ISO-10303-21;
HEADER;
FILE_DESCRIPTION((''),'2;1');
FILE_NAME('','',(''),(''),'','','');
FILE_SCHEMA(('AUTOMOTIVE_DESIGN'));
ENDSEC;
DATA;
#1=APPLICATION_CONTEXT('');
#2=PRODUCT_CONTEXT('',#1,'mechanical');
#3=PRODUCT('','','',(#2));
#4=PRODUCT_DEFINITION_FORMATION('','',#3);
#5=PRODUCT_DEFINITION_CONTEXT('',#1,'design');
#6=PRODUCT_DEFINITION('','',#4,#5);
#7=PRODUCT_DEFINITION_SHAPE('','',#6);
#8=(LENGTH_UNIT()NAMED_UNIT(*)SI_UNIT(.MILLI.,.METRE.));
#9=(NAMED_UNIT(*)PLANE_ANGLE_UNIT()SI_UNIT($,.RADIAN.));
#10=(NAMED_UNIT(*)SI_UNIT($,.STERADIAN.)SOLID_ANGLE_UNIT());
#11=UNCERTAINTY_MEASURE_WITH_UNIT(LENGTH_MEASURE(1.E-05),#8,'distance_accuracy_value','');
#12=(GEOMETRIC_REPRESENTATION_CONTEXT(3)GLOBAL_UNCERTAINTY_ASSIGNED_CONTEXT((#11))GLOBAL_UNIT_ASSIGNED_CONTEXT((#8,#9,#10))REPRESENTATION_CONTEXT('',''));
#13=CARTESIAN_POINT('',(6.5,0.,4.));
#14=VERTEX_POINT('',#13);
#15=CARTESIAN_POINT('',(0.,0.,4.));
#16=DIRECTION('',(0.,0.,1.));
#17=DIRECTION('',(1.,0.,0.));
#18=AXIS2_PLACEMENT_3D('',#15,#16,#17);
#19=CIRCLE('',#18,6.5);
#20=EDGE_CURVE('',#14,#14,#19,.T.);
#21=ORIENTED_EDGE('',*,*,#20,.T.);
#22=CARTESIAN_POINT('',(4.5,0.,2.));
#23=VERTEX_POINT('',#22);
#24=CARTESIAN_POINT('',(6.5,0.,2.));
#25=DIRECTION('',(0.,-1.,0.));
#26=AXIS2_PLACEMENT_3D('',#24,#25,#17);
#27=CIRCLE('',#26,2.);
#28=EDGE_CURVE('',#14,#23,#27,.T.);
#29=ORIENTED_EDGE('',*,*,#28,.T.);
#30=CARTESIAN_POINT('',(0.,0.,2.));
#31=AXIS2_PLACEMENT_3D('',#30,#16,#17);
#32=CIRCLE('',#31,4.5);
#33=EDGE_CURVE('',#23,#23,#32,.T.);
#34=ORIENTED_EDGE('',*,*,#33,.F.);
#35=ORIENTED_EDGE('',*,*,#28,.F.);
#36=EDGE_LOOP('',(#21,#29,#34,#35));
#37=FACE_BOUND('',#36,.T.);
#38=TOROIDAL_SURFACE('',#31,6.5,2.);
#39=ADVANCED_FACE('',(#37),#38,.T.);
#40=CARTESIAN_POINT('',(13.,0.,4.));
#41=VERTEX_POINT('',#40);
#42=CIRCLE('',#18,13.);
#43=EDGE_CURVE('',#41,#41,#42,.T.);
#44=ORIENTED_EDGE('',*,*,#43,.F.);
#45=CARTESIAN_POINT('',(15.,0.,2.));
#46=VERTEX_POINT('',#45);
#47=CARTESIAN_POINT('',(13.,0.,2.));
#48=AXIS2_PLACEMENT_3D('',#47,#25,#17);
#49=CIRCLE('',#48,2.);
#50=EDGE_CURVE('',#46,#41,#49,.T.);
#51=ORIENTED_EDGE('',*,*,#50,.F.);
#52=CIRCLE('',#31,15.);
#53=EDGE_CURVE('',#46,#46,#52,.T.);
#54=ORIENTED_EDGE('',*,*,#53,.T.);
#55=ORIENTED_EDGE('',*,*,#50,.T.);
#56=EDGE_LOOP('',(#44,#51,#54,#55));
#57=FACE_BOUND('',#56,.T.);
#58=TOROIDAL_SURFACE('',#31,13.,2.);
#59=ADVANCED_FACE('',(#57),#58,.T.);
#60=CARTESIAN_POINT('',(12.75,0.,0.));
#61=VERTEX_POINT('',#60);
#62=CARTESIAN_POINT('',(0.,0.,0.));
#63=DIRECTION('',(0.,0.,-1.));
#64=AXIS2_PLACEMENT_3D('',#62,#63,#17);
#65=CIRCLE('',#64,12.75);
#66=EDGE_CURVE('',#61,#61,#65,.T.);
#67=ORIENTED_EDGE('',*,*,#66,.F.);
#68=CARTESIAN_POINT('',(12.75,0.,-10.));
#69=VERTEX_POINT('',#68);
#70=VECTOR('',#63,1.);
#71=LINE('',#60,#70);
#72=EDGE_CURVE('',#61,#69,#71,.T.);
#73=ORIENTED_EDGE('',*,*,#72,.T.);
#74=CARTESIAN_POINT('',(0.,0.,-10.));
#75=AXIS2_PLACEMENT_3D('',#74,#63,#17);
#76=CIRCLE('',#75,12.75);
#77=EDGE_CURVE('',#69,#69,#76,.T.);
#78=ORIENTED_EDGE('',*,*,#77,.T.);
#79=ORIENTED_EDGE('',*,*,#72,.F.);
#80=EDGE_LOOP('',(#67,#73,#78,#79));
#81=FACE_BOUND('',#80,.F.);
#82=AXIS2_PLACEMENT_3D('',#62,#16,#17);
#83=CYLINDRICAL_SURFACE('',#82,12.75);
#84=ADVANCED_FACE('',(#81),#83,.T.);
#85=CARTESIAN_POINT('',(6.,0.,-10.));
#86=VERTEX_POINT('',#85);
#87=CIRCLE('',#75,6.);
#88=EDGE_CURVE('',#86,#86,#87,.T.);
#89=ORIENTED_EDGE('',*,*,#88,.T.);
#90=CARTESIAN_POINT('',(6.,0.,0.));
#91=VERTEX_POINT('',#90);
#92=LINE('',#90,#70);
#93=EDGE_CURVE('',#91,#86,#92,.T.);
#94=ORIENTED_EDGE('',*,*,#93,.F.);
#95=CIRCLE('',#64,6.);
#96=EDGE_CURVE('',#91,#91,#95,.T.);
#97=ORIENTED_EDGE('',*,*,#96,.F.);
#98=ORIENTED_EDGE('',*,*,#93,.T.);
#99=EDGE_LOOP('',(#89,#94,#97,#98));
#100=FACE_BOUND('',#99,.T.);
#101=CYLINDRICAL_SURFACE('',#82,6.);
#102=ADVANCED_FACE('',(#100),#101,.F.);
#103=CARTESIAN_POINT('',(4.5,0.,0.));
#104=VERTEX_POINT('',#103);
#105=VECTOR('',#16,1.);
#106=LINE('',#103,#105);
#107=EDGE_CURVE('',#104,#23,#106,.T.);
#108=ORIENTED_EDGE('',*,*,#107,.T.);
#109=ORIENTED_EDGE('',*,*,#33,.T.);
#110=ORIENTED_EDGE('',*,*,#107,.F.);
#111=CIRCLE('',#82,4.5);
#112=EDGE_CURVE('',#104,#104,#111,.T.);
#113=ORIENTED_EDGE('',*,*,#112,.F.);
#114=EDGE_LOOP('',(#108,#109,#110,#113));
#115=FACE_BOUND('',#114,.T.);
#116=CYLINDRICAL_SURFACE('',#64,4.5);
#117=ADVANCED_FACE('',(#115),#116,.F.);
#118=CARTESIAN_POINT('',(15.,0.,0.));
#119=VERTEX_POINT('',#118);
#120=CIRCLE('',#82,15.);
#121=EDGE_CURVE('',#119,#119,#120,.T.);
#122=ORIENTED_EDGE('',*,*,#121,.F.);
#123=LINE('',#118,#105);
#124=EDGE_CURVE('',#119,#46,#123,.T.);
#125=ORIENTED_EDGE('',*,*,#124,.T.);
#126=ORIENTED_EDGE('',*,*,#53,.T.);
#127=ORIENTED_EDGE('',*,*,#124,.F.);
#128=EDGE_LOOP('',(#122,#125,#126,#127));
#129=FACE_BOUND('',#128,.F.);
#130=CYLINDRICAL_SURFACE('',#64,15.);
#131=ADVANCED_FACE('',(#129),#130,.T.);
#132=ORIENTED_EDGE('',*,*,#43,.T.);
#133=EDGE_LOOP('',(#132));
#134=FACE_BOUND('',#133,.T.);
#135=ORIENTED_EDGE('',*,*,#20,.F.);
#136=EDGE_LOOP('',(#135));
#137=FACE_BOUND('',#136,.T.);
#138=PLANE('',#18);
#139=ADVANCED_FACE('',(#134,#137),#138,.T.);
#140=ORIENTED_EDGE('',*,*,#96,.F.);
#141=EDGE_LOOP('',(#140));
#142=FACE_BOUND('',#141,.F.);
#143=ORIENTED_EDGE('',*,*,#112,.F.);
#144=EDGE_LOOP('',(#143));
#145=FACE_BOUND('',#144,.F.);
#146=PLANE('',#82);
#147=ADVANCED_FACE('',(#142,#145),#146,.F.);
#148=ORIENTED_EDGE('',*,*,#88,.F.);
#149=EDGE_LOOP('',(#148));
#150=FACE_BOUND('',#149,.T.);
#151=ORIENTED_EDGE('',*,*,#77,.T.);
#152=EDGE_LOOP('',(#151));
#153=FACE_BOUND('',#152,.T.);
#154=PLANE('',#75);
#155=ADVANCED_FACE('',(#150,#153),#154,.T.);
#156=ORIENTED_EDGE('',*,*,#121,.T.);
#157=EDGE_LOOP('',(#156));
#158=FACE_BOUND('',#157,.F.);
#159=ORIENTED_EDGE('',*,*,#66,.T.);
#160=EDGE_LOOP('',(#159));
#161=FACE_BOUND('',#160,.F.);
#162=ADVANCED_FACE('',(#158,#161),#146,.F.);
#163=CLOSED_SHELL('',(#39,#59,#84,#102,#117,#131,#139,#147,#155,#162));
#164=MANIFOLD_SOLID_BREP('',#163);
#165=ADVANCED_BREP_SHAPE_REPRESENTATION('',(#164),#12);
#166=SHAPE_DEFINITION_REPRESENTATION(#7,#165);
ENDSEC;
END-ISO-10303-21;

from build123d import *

# Parameters (mm, degrees)
F0_R     = 15
F0_R_2   = 4.5
F1_DEPTH = 4
F2_R     = 12.75
F2_R_2   = 6
F3_DEPTH = 10
F4_R     = 2


with BuildPart() as f1:
    # F0 (on Top) → F1 (new body)
    with BuildSketch(Plane.XY):
        Circle(F0_R)
        Circle(F0_R_2, mode=Mode.SUBTRACT)
    extrude(amount=F1_DEPTH)

    # F2 (on face) → F3 (join)
    with BuildSketch(Plane(origin=(0, 0, 0), x_dir=(1, 0, 0), z_dir=(0, 0, -1))):
        Circle(F2_R)
        Circle(F2_R_2, mode=Mode.SUBTRACT)
    extrude(amount=F3_DEPTH)

    # F4
    f4_edges = [f1.edges().sort_by_distance(p)[0] for p in [
        (-15, 0, 4),
        (-4.5, 0, 4),
    ]]
    fillet(f4_edges, radius=F4_R)


solid = f1.part
